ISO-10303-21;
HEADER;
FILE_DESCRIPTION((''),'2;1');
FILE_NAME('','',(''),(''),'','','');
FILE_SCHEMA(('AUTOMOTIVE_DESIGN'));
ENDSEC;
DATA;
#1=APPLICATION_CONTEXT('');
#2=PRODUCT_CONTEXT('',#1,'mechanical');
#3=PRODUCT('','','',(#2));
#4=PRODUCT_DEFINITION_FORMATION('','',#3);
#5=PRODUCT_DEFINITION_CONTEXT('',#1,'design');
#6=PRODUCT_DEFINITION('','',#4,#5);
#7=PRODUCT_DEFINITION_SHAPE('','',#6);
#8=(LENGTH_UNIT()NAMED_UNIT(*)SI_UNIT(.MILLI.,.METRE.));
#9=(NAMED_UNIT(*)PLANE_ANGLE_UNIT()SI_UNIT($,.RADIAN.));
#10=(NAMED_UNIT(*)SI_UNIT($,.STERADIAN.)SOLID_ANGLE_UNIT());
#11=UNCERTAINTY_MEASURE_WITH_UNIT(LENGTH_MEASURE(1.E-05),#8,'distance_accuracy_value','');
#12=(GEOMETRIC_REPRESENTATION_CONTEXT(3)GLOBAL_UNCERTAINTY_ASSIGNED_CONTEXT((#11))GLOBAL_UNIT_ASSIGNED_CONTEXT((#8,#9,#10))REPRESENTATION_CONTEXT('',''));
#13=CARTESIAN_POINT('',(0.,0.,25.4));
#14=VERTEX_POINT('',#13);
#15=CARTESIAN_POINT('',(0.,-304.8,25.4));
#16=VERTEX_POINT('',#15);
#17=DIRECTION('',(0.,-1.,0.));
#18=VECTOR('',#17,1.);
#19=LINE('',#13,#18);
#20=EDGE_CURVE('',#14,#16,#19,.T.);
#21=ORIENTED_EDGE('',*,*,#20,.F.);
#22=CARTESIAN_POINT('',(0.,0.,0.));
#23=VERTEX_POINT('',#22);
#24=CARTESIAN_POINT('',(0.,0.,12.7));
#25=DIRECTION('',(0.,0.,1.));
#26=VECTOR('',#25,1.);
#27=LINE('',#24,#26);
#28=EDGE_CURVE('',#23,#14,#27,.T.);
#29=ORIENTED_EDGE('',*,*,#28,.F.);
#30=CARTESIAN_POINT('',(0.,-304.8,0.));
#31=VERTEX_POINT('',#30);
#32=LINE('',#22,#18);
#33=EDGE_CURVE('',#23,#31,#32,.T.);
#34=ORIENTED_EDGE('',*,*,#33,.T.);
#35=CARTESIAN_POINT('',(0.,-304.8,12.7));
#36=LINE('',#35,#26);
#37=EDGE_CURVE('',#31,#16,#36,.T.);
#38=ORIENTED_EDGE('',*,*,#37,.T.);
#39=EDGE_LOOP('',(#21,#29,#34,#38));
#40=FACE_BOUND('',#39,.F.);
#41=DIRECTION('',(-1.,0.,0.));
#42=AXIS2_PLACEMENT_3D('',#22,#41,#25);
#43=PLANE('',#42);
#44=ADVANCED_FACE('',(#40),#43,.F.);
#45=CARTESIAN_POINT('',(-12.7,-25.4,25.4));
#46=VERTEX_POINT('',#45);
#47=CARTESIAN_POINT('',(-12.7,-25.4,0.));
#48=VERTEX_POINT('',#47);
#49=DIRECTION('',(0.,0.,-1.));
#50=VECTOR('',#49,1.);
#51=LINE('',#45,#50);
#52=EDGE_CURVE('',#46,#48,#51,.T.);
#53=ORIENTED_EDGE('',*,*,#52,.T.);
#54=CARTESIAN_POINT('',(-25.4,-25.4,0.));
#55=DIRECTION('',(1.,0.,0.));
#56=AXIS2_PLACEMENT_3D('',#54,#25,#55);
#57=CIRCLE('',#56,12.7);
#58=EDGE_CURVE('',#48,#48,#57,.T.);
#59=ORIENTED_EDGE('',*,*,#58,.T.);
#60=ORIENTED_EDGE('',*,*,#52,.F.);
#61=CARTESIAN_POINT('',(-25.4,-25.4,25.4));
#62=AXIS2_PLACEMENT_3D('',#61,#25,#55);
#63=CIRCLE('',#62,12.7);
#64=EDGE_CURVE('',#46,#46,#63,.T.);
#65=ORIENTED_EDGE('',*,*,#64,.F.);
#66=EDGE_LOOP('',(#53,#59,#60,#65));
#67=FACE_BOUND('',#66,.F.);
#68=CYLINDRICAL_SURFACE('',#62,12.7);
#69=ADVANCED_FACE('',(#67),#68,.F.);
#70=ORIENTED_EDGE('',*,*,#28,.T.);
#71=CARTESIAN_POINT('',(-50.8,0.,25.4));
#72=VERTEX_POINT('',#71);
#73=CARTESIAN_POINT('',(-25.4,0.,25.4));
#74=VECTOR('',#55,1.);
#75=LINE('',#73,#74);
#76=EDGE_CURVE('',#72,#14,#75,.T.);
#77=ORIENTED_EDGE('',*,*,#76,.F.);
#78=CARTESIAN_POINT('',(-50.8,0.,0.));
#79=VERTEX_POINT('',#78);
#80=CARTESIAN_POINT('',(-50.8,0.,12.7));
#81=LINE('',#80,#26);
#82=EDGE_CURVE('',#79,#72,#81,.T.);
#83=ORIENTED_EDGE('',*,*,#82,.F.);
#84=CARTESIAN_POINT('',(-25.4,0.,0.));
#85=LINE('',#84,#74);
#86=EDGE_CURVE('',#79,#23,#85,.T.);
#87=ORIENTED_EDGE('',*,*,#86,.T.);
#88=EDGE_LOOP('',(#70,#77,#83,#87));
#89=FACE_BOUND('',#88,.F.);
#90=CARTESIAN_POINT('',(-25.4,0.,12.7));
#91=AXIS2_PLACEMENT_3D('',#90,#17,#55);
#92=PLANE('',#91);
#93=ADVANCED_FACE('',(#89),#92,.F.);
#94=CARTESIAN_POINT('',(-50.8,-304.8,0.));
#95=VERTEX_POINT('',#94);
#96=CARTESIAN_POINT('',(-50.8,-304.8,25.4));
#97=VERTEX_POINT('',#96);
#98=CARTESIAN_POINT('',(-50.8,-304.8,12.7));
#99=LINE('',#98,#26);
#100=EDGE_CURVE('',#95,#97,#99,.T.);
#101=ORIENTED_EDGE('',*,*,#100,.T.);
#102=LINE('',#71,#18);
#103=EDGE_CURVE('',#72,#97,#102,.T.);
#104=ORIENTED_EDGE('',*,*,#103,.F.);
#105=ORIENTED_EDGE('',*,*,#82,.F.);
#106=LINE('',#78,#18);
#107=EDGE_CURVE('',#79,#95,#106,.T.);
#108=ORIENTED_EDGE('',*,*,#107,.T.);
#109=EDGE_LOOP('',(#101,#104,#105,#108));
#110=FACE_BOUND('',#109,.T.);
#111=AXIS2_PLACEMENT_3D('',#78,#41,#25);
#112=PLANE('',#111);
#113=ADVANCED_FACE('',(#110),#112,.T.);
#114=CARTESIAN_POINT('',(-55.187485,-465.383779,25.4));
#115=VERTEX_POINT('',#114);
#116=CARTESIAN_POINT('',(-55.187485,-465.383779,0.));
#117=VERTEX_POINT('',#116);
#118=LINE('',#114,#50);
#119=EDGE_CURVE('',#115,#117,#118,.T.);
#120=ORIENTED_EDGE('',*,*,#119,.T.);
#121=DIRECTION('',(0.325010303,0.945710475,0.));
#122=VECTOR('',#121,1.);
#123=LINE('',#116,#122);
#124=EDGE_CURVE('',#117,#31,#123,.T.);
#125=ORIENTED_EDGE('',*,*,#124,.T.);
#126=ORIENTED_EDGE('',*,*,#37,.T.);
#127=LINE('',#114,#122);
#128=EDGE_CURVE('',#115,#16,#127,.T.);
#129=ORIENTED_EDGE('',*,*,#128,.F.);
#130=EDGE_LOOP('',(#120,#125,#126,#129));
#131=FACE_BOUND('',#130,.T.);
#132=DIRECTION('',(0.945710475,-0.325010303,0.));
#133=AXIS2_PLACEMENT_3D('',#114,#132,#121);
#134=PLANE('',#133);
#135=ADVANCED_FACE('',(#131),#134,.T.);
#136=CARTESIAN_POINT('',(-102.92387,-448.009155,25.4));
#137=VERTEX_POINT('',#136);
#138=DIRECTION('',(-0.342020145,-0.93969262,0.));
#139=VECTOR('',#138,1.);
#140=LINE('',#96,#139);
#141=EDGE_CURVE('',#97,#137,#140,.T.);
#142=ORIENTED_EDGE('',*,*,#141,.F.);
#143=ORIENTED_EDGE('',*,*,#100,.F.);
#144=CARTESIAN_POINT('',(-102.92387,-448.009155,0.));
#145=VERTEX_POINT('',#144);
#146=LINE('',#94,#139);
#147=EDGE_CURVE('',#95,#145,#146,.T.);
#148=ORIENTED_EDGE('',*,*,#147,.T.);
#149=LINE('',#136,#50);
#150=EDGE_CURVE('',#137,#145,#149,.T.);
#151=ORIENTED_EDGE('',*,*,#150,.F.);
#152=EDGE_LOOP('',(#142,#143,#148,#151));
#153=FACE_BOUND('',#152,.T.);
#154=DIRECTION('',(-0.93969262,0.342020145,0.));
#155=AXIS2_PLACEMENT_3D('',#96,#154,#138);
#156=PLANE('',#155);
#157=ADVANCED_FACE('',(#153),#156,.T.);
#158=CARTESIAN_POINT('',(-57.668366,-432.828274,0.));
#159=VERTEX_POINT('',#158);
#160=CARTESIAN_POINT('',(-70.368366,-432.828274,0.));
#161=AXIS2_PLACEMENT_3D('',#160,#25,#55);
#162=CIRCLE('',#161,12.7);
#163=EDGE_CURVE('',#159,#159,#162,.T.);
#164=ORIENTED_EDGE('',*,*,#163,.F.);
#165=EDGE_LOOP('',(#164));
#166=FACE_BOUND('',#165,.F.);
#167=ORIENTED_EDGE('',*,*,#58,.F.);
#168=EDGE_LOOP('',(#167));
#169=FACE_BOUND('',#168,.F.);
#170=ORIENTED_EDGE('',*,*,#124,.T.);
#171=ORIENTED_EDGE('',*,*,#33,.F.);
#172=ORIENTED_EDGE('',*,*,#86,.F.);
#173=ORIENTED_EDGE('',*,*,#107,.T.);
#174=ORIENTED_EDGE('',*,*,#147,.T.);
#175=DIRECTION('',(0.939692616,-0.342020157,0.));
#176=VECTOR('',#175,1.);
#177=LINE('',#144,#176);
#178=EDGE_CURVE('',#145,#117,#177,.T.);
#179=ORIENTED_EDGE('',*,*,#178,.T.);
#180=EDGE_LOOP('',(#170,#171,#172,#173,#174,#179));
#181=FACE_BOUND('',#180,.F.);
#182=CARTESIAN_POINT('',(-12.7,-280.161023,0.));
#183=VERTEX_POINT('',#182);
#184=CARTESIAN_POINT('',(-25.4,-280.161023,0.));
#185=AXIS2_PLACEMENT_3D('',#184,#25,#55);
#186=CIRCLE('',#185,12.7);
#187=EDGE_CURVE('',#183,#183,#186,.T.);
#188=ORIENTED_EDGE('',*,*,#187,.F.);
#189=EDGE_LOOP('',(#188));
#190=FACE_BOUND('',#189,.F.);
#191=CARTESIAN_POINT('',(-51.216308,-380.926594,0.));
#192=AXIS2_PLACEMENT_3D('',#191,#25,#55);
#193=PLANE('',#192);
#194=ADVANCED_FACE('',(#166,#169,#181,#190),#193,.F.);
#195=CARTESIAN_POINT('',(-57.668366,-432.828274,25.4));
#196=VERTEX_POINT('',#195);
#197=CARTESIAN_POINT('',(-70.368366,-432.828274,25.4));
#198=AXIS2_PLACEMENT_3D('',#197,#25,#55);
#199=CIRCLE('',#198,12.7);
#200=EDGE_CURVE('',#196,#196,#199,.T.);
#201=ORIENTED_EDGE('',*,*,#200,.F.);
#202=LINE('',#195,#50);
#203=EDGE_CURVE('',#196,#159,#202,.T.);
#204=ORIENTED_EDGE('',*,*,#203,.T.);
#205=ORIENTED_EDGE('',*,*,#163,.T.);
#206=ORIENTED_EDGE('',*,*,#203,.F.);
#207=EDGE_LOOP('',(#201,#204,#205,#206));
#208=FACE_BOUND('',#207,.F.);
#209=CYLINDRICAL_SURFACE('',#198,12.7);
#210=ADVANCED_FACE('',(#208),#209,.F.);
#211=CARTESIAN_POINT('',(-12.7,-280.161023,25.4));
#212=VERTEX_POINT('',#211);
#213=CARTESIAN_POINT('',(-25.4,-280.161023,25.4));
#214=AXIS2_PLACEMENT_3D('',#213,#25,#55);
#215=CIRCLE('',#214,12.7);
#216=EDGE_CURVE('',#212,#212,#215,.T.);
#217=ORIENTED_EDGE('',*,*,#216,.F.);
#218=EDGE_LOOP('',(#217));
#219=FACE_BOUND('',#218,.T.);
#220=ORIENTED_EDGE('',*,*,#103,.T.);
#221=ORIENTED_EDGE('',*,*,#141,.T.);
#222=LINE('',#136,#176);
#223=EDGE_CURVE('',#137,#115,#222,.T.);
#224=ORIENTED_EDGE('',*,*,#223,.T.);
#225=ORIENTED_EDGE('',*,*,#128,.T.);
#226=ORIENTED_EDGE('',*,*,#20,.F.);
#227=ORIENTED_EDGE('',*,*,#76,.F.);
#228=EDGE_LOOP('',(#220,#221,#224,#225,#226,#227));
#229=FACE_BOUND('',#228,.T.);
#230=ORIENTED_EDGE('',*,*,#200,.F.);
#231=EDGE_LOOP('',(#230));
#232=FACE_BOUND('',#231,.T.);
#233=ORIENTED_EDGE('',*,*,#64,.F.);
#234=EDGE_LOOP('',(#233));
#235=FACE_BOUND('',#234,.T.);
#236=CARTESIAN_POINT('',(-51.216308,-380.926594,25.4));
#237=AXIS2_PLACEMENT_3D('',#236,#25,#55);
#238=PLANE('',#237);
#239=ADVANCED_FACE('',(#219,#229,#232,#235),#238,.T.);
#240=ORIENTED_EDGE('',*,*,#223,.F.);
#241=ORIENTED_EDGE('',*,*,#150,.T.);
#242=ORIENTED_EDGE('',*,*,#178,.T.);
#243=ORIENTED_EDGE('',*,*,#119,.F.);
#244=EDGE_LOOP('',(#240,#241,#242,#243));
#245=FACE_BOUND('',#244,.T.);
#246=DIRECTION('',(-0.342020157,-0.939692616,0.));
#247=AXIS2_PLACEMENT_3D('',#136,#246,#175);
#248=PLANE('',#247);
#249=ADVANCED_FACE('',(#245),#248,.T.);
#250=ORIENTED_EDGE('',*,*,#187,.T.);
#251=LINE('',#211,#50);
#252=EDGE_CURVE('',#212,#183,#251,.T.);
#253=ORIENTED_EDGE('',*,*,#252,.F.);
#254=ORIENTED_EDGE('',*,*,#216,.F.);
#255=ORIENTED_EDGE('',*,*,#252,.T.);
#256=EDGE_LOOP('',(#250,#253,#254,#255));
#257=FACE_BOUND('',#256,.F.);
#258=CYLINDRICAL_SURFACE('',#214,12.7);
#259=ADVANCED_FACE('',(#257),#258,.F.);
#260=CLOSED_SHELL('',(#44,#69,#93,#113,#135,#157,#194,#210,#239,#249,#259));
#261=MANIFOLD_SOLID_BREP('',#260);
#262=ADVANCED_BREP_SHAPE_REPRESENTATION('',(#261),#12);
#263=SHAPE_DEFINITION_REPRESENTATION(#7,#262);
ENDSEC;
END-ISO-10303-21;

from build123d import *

# Parameters (mm, degrees)
F0_W     = 50.8
F0_H     = 25.4
F1_DEPTH = 304.8
F3_DEPTH = 25.4
F4_R     = 12.7
F5_DEPTH = 25.4
F6_R     = 12.7
F7_DEPTH = 25.4
F8_R     = 12.7
F9_DEPTH = 25.4


with BuildPart() as f1:
    # F0 (on Front) → F1 (new body)
    with BuildSketch(Plane.XZ):
        with Locations((-25.4, 12.7)):
            Rectangle(F0_W, F0_H)
    extrude(amount=F1_DEPTH)

    # F2 (on face) → F3 (join)
    with BuildSketch(Plane.XY.offset(25.4)):
        Polygon((0, -304.8), (-50.8, -304.8), (-102.92387, -448.009155), (-55.187485, -465.383779), align=None)
    extrude(amount=-F3_DEPTH)

    # F4 (on face) → F5 (cut)
    with BuildSketch(Plane.XY.offset(25.4)):
        with Locations((-25.4, -25.4)):
            Circle(F4_R)
    extrude(amount=-F5_DEPTH, mode=Mode.SUBTRACT)

    # F6 (on face) → F7 (cut)
    with BuildSketch(Plane.XY.offset(25.4)):
        with Locations((-70.368366, -432.828274)):
            Circle(F6_R)
    extrude(amount=-F7_DEPTH, mode=Mode.SUBTRACT)

    # F8 (on face) → F9 (cut)
    with BuildSketch(Plane.XY.offset(25.4)):
        with Locations((-25.4, -280.161023)):
            Circle(F8_R)
    extrude(amount=-F9_DEPTH, mode=Mode.SUBTRACT)


solid = f1.part
